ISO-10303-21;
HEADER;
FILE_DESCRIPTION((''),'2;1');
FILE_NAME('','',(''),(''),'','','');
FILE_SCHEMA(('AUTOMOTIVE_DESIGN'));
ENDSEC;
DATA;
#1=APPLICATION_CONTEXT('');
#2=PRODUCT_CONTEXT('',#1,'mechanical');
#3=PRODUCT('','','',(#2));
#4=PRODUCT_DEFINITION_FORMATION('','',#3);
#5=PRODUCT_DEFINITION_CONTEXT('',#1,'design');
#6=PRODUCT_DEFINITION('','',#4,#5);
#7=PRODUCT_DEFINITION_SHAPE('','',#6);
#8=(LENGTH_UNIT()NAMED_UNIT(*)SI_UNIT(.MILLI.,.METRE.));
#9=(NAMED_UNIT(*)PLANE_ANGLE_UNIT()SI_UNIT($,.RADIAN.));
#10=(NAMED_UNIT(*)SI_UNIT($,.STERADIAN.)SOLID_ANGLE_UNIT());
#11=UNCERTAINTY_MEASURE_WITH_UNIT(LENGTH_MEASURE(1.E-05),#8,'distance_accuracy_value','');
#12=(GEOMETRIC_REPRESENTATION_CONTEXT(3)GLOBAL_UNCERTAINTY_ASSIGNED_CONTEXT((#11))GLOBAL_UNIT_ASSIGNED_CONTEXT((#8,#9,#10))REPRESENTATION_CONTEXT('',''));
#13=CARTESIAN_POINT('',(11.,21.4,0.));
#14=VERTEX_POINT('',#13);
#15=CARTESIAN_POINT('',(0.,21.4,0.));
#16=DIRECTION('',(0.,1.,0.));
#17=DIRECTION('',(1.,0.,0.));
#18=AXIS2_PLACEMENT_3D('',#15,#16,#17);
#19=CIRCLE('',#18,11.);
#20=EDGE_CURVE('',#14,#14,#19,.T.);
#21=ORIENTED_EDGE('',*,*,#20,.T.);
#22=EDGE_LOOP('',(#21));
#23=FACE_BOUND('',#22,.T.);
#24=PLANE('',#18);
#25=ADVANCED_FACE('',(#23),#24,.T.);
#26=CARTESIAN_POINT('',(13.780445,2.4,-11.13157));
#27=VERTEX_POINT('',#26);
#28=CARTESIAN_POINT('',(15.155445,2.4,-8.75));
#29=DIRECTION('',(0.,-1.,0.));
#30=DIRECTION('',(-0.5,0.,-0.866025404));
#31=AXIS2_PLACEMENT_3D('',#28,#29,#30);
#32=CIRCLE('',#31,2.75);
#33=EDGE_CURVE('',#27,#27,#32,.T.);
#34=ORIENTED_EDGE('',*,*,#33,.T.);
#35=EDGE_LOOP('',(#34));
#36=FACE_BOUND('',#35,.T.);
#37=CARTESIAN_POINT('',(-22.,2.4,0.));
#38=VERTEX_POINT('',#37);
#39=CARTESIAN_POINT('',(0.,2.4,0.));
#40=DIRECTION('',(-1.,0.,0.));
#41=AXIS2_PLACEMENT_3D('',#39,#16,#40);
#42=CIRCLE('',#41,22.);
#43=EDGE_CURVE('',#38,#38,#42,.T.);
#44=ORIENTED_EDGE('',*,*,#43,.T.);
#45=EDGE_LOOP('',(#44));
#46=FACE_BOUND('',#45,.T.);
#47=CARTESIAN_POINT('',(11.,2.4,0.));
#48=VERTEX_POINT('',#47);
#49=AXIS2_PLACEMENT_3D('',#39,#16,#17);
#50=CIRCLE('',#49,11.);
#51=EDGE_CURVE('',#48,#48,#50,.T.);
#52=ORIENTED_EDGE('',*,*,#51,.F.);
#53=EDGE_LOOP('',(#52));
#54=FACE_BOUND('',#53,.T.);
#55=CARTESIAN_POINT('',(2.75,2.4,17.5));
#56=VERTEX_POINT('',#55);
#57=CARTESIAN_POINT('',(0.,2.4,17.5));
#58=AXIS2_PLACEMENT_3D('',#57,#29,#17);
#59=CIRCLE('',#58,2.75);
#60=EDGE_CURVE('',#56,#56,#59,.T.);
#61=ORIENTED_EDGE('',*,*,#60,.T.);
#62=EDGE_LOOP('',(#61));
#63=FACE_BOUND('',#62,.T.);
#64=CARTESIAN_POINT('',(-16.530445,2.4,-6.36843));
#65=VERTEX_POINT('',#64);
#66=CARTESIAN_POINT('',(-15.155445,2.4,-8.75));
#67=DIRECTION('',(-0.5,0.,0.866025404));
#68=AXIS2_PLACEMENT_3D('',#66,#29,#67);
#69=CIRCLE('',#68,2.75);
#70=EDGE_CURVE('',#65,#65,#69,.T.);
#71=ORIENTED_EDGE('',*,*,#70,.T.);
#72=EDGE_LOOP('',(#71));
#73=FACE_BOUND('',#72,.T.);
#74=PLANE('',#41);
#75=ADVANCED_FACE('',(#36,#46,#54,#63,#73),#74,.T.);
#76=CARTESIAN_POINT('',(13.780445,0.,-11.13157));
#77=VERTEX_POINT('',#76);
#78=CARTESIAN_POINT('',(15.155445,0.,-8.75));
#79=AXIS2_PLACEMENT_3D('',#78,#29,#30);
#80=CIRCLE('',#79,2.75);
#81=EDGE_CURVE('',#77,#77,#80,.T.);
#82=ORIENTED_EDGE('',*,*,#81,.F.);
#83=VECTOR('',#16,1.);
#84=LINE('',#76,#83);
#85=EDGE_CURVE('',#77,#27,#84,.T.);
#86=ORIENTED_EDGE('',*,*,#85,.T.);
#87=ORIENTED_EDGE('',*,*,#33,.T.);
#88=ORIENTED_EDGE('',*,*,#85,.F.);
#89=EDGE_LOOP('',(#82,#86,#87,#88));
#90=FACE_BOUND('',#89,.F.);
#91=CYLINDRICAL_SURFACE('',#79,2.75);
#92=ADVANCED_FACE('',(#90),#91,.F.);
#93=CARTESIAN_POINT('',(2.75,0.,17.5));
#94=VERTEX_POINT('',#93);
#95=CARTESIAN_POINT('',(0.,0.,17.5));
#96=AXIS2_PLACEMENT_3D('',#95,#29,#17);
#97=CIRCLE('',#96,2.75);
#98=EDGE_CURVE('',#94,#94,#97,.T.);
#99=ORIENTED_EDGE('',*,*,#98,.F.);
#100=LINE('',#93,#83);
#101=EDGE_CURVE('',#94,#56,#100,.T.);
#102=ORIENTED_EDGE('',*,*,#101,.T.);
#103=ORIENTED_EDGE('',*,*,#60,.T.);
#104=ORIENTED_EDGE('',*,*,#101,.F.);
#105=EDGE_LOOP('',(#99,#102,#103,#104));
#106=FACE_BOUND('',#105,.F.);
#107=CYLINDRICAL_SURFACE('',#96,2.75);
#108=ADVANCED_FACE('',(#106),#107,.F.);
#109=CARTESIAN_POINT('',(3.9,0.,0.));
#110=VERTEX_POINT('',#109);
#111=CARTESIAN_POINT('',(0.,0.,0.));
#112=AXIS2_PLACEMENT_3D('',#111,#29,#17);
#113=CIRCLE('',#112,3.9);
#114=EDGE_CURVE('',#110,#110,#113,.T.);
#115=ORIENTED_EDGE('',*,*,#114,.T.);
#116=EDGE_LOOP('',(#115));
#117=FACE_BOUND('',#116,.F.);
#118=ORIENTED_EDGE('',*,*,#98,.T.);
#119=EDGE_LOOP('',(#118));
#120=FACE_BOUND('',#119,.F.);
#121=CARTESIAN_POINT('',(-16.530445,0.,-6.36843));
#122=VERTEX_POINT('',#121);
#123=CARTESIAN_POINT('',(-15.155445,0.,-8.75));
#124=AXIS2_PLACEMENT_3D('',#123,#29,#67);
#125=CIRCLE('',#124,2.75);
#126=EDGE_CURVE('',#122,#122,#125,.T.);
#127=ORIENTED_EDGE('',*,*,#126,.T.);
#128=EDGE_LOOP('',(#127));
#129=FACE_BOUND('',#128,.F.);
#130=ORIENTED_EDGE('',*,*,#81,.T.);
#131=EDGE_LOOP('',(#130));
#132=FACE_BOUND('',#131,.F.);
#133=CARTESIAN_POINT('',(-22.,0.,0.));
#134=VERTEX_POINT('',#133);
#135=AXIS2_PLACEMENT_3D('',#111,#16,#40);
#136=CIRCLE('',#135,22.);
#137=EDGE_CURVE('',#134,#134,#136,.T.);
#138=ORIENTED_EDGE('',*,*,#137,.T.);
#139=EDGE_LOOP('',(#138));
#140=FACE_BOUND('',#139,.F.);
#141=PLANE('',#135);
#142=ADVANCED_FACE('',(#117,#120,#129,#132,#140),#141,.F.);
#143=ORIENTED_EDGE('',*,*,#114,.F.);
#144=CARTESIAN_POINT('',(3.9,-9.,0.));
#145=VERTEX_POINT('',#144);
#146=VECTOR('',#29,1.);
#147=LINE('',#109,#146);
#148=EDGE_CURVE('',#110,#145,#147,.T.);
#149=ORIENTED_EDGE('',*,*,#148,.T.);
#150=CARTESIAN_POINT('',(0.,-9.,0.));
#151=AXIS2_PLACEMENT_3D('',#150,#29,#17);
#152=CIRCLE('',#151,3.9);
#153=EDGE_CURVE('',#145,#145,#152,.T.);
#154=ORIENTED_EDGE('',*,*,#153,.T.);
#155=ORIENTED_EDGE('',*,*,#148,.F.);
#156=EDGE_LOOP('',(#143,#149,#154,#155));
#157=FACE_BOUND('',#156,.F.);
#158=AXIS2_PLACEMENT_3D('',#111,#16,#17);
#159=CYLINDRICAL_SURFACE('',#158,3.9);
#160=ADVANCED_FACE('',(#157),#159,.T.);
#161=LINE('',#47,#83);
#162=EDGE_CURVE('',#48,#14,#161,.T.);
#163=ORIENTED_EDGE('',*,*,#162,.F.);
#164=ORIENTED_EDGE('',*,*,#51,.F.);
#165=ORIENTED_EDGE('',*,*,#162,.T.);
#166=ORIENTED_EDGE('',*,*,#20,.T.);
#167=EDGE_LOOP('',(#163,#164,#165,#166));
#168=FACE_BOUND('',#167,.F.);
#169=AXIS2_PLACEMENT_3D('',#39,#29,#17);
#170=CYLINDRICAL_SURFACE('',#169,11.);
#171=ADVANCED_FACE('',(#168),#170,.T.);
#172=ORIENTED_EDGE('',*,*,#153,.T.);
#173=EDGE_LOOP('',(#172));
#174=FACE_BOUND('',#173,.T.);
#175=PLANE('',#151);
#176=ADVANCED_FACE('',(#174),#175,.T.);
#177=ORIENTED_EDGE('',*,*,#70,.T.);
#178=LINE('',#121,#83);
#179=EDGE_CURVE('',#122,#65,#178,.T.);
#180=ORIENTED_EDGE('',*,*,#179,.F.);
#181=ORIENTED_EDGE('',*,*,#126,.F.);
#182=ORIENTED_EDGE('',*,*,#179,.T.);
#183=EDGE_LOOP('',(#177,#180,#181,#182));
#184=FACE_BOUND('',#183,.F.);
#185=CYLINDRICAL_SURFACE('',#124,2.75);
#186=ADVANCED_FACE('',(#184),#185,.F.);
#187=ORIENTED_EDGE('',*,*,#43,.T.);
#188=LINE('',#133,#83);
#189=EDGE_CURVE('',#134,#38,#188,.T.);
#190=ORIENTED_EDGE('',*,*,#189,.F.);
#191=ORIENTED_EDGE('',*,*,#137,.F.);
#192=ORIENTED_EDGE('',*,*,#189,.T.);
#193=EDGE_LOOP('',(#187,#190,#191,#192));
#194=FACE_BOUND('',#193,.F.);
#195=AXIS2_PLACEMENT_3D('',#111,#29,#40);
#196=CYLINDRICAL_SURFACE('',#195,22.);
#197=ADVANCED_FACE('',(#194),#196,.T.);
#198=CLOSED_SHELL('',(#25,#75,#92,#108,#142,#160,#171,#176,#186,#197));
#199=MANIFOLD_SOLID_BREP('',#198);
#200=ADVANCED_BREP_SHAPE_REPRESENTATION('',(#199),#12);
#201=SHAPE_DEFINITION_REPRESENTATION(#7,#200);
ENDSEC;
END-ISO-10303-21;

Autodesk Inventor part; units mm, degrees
ref_plane "YZ Plane" through (0, 0, 0) normal (1, 0, 0) x (0, 1, 0)
ref_plane "XZ Plane" through (0, 0, 0) normal (0, 1, 0) x (-1, 0, 0)
ref_plane "XY Plane" through (0, 0, 0) normal (0, 0, 1) x (1, 0, 0)
sketch "Esquisse1" plane through (0, 0, 0) normal (0, 1, 0) x (-1, 0, 0)
  circle A0 centre (0, 0) radius 22
  dimension "d0" = 44
extrude "Extrusion1" add sketch "Esquisse1" along normal blind 2.4
sketch "Esquisse2" plane through (0, 2.4, 0) normal (0, 1, 0) x (1, 0, 0)
  circle A0 centre (0, 0) radius 22 projected
  circle A1 centre (0, 0) radius 11
  dimension "d3" = 22
extrude "Extrusion2" add sketch "Esquisse2" along normal blind 19 contours A1
sketch "Esquisse4" plane through (0, 0, 0) normal (0, -1, 0) x (1, 0, 0)
  circle A0 centre (0, 0) radius 22 projected
  circle A1 centre (0, 17.5) radius 2.75
  dimension "d6" = 5.5
  dimension "d7" = 17.5
extrude "Extrusion3" cut sketch "Esquisse4" against normal through all contours A1
pattern_circular "Réseau circulaire1" count 3 over 360 about axis through (0, 2.4, 0) along (0, 1, 0) of "Extrusion3"
sketch "Esquisse5" plane through (0, 0, 0) normal (0, -1, 0) x (1, 0, 0)
  circle A0 centre (0, 0) radius 22 projected
  circle A1 centre (0, 0) radius 3.9
  dimension "d13" = 7.8
extrude "Extrusion4" add sketch "Esquisse5" along normal blind 9 contours A1
properties part number "SRC022" material "Plastique ABS"
